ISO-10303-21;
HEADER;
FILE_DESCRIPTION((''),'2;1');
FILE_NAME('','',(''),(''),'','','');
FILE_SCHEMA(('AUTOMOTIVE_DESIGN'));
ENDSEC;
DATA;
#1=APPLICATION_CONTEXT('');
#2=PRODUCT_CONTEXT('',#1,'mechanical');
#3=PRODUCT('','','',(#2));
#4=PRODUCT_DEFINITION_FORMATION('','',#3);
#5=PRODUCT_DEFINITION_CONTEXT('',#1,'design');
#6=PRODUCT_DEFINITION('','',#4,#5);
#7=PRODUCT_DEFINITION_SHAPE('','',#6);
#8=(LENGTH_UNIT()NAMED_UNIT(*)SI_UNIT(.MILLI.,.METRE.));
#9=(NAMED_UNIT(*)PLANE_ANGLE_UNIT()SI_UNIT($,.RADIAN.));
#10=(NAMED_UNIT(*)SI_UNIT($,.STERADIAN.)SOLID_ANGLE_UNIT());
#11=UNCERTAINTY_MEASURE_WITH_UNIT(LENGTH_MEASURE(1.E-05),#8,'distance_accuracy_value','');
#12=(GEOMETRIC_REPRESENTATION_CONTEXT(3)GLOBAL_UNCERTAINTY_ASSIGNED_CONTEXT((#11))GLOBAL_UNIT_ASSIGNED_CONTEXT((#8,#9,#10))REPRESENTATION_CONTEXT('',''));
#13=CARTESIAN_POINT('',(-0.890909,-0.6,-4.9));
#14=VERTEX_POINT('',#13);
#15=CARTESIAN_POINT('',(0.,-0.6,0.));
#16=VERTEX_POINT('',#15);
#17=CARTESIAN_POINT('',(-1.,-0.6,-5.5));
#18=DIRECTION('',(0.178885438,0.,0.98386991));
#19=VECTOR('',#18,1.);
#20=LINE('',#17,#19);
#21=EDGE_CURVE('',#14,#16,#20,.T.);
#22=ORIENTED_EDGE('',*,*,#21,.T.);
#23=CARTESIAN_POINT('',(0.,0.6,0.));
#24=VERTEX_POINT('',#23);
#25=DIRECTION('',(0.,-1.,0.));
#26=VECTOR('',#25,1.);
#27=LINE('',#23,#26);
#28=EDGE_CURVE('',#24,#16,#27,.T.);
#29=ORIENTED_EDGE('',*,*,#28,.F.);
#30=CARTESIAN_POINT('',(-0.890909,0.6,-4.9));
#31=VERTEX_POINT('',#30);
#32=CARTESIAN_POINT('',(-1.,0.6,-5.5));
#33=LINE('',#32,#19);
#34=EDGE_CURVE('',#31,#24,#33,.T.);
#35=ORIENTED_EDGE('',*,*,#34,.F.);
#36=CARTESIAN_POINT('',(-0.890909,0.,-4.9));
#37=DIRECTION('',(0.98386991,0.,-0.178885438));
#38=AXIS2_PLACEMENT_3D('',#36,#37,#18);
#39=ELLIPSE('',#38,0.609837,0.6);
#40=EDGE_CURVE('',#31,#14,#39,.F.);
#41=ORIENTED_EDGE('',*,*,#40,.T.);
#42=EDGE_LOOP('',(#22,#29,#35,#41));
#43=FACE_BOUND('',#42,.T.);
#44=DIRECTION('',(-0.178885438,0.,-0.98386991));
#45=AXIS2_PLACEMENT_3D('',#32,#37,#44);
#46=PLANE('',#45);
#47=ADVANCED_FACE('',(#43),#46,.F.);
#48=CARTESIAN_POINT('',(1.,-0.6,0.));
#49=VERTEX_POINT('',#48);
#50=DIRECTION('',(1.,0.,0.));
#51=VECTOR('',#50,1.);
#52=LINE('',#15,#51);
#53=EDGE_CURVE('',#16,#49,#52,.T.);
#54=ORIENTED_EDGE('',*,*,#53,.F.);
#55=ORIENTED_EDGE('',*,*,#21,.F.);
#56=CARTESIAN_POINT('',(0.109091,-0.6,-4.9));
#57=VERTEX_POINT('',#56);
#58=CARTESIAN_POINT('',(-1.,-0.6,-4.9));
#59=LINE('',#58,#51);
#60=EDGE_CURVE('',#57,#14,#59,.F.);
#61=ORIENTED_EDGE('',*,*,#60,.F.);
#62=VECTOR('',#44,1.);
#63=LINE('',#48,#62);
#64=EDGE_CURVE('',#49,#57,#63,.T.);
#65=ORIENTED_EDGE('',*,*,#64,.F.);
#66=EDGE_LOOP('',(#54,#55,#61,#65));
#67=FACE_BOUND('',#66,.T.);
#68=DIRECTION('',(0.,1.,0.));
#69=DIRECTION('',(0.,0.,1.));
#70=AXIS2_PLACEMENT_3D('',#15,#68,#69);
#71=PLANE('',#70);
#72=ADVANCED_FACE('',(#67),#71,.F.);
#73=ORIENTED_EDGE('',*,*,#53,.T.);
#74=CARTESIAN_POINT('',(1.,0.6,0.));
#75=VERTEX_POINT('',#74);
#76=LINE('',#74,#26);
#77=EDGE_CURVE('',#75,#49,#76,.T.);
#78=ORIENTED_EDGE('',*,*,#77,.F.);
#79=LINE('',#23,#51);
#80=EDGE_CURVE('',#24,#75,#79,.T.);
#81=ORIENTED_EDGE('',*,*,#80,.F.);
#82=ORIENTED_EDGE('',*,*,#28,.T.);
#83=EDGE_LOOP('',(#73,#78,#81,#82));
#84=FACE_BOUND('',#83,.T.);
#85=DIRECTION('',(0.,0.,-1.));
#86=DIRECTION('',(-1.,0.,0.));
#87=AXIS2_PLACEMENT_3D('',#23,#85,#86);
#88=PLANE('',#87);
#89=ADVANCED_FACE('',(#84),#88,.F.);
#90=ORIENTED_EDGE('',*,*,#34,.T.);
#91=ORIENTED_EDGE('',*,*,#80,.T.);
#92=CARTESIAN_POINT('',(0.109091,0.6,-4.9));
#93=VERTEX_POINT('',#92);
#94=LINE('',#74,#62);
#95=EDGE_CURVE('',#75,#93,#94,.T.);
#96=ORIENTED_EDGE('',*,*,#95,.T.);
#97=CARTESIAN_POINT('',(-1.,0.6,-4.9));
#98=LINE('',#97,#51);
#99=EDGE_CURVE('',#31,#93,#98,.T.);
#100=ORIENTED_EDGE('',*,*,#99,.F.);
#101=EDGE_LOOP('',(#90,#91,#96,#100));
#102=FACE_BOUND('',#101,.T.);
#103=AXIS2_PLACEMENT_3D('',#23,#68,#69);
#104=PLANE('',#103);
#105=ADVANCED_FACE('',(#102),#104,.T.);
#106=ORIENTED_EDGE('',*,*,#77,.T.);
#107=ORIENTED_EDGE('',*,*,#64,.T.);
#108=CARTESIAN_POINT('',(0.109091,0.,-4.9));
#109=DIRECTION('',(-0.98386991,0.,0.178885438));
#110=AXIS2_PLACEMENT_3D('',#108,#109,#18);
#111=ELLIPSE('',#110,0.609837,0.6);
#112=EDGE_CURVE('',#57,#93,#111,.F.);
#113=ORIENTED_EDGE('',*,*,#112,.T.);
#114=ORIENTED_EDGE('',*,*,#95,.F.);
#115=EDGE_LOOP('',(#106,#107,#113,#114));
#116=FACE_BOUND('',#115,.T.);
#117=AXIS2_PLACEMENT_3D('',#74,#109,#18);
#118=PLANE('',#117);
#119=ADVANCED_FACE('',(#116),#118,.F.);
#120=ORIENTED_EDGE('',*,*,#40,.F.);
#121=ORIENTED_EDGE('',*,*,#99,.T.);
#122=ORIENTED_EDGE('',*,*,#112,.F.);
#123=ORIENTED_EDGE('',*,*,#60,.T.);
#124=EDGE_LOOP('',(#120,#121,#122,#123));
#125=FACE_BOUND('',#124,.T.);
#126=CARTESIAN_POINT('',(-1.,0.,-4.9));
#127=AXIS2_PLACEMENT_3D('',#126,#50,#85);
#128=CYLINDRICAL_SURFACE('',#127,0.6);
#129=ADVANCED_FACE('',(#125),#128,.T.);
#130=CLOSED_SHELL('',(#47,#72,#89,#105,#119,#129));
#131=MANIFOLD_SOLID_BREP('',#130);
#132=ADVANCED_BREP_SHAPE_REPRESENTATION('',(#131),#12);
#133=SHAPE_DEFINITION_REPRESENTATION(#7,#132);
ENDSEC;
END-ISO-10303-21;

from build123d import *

# Parameters (mm, degrees)
BOSS_EXTRUDE1_DEPTH = 0.6
CUT_EXTRUDE1_DEPTH  = 2


with BuildPart() as part:
    # Sketch1 → Boss-Extrude1 (new body, symmetric)
    with BuildSketch(Plane(origin=(0, 0, 0), x_dir=(1, 0, 0), z_dir=(0, 1, 0))):
        Polygon((0, 0), (1, 0), (0, 5.5), (-1, 5.5), align=None)
    extrude(amount=BOSS_EXTRUDE1_DEPTH, both=True)

    # Sketch4 → Cut-Extrude1 (cut, symmetric)
    with BuildSketch(Plane(origin=(0, 0, 0), x_dir=(0, 0, -1), z_dir=(1, 0, 0))):
        with BuildLine():
            Line((4.9, -0.6), (5.5, -0.6))
            Line((5.5, -0.6), (5.5, 0))
            ThreePointArc((5.5, 0), (5.324264069, -0.424264069), (4.9, -0.6))
        make_face()
    cut_extrude1 = extrude(amount=CUT_EXTRUDE1_DEPTH, both=True, mode=Mode.SUBTRACT)

    # Mirror1: Cut-Extrude1 across plane
    add(cut_extrude1.mirror(Plane.ZX), mode=Mode.SUBTRACT)


solid = part.part
